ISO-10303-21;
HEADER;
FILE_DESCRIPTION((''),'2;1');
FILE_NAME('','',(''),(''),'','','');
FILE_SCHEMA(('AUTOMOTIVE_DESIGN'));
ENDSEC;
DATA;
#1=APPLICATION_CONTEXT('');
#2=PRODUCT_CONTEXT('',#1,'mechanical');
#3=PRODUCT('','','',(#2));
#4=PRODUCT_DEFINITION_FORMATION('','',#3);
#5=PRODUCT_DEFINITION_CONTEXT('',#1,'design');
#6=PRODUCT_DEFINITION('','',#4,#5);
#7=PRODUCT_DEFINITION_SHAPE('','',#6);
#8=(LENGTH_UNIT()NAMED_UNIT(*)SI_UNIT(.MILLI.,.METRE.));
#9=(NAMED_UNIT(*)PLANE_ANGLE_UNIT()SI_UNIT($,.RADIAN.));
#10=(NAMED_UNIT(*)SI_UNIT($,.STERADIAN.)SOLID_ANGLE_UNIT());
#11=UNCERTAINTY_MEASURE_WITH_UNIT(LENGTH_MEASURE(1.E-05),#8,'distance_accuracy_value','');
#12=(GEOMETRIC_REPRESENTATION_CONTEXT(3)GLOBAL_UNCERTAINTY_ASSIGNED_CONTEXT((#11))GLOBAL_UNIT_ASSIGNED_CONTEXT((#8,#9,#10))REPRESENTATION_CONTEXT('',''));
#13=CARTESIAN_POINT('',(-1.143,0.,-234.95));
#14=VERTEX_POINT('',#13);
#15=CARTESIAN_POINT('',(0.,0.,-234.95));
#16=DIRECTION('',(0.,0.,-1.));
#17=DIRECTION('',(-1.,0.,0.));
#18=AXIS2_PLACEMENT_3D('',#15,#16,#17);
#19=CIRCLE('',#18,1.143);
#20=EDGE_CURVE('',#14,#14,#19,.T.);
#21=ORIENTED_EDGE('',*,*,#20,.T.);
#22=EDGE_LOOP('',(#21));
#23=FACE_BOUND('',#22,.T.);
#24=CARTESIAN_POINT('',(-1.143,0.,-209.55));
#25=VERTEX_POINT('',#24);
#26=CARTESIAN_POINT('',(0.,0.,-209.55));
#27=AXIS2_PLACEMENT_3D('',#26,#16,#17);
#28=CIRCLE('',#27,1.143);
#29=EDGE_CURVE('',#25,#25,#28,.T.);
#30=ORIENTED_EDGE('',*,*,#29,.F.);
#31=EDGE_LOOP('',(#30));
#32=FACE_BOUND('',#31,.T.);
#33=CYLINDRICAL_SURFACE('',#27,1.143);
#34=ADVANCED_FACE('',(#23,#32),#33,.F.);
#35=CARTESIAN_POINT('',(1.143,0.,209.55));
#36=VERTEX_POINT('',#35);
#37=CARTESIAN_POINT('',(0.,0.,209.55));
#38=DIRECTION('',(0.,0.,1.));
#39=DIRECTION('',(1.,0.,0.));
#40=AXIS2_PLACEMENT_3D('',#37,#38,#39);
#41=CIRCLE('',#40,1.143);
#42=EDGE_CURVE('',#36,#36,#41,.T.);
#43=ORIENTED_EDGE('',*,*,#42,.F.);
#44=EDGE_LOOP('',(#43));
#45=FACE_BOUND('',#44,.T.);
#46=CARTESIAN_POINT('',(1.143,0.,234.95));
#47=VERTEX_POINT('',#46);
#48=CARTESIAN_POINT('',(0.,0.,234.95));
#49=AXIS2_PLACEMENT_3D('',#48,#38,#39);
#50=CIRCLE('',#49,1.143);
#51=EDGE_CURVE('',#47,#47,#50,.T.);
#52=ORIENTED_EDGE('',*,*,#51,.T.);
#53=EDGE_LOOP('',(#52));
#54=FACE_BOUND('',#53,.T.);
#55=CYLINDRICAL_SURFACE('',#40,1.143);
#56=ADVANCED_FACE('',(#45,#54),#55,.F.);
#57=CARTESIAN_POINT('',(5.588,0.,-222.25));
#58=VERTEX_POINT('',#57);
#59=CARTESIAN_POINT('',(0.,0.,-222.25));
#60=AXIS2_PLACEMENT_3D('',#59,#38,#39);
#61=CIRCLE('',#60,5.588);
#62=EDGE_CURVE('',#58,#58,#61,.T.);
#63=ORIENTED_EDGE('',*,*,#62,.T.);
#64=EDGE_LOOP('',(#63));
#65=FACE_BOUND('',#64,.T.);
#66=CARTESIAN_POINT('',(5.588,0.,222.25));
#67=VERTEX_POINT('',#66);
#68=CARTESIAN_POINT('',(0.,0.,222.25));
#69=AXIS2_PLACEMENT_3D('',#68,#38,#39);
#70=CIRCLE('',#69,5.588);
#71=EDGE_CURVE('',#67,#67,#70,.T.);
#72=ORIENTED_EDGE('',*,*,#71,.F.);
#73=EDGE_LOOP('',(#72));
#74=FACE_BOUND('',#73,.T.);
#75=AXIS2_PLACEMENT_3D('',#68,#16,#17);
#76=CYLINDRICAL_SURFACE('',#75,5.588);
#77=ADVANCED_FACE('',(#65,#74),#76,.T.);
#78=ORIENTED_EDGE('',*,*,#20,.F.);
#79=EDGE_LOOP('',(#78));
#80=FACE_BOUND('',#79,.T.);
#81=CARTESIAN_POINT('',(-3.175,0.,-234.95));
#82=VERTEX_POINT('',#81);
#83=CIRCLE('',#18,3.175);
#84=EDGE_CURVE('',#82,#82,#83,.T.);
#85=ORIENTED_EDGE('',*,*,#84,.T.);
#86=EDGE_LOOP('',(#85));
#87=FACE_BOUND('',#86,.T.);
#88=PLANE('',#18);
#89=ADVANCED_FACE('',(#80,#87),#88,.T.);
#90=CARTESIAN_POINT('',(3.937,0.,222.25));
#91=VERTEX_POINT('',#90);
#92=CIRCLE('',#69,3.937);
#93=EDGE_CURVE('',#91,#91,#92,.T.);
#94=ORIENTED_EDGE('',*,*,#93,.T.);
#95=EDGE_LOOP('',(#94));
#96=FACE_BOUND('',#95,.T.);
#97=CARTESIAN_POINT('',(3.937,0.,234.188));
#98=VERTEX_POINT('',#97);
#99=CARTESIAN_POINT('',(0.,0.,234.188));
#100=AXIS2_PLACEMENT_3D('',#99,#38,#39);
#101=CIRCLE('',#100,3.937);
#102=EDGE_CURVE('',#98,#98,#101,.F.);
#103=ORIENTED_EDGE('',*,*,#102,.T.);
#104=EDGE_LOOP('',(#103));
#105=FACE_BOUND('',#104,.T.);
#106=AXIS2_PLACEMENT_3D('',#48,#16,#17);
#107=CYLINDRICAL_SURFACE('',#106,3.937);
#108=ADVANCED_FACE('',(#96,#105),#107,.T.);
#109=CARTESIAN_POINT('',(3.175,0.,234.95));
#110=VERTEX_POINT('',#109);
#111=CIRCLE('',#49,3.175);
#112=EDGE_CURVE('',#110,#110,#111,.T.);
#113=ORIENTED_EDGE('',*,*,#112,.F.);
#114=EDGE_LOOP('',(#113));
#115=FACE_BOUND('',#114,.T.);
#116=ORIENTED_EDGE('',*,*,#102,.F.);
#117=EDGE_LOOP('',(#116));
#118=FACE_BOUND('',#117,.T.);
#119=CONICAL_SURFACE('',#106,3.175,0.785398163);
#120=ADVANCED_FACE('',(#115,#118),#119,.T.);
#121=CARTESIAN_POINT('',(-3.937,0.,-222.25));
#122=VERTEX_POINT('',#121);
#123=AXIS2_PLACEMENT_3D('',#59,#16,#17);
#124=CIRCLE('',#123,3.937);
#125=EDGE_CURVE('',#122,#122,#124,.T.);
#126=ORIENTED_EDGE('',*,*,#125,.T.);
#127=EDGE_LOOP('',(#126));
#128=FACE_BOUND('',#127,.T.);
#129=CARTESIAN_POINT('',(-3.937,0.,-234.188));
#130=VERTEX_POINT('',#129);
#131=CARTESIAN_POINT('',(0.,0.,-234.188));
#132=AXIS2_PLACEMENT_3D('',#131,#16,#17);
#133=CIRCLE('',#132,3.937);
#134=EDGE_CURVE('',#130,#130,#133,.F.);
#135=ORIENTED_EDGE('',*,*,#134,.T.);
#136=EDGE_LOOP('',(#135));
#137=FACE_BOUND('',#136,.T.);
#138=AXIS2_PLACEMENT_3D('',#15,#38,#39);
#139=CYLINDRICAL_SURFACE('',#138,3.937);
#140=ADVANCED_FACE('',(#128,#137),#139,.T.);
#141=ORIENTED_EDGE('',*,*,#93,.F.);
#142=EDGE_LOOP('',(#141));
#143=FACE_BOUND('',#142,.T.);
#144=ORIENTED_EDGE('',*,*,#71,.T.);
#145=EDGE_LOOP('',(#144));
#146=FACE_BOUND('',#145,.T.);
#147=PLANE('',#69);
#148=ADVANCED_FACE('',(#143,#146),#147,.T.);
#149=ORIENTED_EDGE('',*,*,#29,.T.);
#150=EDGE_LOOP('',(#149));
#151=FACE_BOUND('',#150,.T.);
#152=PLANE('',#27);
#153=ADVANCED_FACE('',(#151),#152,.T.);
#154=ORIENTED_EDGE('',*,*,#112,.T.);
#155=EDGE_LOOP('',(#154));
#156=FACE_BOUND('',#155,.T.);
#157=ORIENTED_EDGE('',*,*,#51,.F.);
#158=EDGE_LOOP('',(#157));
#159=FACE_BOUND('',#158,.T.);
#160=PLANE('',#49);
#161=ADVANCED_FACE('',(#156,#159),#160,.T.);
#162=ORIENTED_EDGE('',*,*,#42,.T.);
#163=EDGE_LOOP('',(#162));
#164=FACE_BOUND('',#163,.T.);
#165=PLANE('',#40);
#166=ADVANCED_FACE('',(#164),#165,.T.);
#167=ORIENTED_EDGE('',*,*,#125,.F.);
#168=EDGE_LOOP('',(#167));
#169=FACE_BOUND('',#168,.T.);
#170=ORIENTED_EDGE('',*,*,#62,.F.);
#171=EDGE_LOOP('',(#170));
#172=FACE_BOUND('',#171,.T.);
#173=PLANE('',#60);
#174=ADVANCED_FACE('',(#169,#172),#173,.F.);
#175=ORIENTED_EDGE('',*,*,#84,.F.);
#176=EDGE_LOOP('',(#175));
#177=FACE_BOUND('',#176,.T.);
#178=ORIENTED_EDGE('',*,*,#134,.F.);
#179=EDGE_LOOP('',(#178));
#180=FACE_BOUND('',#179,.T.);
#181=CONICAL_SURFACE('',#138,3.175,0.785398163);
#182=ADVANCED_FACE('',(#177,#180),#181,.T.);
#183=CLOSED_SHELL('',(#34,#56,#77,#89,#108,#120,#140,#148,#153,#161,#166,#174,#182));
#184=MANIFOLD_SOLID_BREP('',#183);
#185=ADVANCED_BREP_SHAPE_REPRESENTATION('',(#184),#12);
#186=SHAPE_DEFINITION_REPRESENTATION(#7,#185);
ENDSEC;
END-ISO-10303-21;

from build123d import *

# Parameters (mm, degrees)
SKETCH2_R           = 5.588
BOSS_EXTRUDE1_DEPTH = 222.25
SKETCH3_R           = 3.937
BOSS_EXTRUDE2_DEPTH = 12.7
BOSS_EXTRUDE3_START = 12.7
SKETCH4_R           = 3.937
BOSS_EXTRUDE3_DEPTH = 12.7
SKETCH5_R           = 1.143
CUT_EXTRUDE1_DEPTH  = 25.4
CUT_EXTRUDE2_START  = -25.4
SKETCH6_R           = 1.143
CUT_EXTRUDE2_DEPTH  = 25.4
CHAMFER2_SIZE       = 0.762


with BuildPart() as part:
    # Sketch2 → Boss-Extrude1 (new, symmetric)
    with BuildSketch(Plane.XY):
        Circle(SKETCH2_R)
    extrude(amount=BOSS_EXTRUDE1_DEPTH, both=True)

    # Sketch3 → Boss-Extrude2 (add)
    with BuildSketch(Plane.XY.offset(222.25)):
        Circle(SKETCH3_R)
    extrude(amount=BOSS_EXTRUDE2_DEPTH)

    # Sketch4 → Boss-Extrude3 (add)
    with BuildSketch(Plane(origin=(0, 0, -222.25), x_dir=(-1, 0, 0), z_dir=(0, 0, -1)).offset(BOSS_EXTRUDE3_START)):
        with Locations(Location((0, 0, 0), (0, 0, 180))):
            Circle(SKETCH4_R)
    extrude(amount=-BOSS_EXTRUDE3_DEPTH)

    # Sketch5 → Cut-Extrude1 (cut)
    with BuildSketch(Plane.XY.offset(234.95)):
        Circle(SKETCH5_R)
    extrude(amount=-CUT_EXTRUDE1_DEPTH, mode=Mode.SUBTRACT)

    # Sketch6 → Cut-Extrude2 (cut)
    with BuildSketch(Plane(origin=(0, 0, -234.95), x_dir=(-1, 0, 0), z_dir=(0, 0, -1)).offset(CUT_EXTRUDE2_START)):
        with Locations(Location((0, 0, 0), (0, 0, 180))):
            Circle(SKETCH6_R)
    extrude(amount=CUT_EXTRUDE2_DEPTH, mode=Mode.SUBTRACT)

    # Chamfer2
    chamfer2_edges = [part.edges().sort_by_distance(p)[0] for p in [
        (-3.937, 0, -234.95),
        (-3.937, 0, 234.95),
    ]]
    chamfer(chamfer2_edges, length=CHAMFER2_SIZE)


solid = part.part
